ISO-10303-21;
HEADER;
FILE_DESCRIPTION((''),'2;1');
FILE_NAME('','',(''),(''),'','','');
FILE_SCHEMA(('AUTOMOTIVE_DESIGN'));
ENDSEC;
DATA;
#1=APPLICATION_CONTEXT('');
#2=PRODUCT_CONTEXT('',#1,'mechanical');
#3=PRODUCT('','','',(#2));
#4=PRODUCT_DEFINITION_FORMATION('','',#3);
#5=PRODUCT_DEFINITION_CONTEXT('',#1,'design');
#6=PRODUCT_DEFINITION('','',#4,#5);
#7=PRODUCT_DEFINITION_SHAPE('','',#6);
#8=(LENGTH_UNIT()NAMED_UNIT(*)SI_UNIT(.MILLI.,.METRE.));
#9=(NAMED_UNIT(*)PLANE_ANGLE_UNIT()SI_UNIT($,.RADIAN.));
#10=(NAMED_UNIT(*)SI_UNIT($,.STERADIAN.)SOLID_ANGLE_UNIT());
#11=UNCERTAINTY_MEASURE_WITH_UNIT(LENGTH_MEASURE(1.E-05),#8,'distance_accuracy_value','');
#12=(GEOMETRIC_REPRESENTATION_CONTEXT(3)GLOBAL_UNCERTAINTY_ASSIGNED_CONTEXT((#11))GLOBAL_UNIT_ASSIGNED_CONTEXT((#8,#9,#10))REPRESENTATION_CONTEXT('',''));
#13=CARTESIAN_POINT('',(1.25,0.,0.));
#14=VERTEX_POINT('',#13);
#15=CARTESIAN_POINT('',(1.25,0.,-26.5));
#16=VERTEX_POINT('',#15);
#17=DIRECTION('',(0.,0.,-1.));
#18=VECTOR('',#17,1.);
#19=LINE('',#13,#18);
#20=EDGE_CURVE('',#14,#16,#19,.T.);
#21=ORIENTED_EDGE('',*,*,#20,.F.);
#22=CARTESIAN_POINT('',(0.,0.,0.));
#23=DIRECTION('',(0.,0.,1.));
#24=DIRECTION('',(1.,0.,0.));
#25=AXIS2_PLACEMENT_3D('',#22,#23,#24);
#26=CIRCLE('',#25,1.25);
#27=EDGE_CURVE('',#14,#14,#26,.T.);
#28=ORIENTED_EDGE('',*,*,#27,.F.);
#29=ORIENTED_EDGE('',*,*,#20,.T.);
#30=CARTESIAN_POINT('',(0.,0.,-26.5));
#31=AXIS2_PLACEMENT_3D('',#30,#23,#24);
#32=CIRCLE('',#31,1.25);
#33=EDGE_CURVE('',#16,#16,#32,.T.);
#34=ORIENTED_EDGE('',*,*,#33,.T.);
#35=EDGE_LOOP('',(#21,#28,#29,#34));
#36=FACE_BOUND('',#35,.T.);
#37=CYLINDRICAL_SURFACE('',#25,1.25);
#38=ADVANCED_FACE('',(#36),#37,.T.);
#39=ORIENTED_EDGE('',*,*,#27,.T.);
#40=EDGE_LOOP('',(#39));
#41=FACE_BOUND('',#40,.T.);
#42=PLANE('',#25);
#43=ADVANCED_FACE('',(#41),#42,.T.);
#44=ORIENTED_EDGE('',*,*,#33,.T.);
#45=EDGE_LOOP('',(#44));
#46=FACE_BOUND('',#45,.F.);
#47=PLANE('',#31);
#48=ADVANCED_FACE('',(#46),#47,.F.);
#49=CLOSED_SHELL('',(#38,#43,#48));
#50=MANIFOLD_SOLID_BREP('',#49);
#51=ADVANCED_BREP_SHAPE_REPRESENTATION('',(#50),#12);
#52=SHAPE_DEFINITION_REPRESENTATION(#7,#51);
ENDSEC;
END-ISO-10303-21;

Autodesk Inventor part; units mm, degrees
ref_plane "YZ Plane" through (0, 0, 0) normal (1, 0, 0) x (0, 1, 0)
ref_plane "XZ Plane" through (0, 0, 0) normal (0, 1, 0) x (-1, 0, 0)
ref_plane "XY Plane" through (0, 0, 0) normal (0, 0, 1) x (1, 0, 0)
extrude "Extrusion1" [suppressed]
extrude "Extrusion2" [suppressed]
sketch "Sketch3" plane through (0, 0, 0) normal (0, 0, 1) x (1, 0, 0)
  circle A0 centre (0, 0) radius 1.25
  dimension "d9" = 2.5
extrude "Extrusion3" add sketch "Sketch3" against normal blind 26.5
properties part number "P88042_Wheel_Hex_Pin_B"
